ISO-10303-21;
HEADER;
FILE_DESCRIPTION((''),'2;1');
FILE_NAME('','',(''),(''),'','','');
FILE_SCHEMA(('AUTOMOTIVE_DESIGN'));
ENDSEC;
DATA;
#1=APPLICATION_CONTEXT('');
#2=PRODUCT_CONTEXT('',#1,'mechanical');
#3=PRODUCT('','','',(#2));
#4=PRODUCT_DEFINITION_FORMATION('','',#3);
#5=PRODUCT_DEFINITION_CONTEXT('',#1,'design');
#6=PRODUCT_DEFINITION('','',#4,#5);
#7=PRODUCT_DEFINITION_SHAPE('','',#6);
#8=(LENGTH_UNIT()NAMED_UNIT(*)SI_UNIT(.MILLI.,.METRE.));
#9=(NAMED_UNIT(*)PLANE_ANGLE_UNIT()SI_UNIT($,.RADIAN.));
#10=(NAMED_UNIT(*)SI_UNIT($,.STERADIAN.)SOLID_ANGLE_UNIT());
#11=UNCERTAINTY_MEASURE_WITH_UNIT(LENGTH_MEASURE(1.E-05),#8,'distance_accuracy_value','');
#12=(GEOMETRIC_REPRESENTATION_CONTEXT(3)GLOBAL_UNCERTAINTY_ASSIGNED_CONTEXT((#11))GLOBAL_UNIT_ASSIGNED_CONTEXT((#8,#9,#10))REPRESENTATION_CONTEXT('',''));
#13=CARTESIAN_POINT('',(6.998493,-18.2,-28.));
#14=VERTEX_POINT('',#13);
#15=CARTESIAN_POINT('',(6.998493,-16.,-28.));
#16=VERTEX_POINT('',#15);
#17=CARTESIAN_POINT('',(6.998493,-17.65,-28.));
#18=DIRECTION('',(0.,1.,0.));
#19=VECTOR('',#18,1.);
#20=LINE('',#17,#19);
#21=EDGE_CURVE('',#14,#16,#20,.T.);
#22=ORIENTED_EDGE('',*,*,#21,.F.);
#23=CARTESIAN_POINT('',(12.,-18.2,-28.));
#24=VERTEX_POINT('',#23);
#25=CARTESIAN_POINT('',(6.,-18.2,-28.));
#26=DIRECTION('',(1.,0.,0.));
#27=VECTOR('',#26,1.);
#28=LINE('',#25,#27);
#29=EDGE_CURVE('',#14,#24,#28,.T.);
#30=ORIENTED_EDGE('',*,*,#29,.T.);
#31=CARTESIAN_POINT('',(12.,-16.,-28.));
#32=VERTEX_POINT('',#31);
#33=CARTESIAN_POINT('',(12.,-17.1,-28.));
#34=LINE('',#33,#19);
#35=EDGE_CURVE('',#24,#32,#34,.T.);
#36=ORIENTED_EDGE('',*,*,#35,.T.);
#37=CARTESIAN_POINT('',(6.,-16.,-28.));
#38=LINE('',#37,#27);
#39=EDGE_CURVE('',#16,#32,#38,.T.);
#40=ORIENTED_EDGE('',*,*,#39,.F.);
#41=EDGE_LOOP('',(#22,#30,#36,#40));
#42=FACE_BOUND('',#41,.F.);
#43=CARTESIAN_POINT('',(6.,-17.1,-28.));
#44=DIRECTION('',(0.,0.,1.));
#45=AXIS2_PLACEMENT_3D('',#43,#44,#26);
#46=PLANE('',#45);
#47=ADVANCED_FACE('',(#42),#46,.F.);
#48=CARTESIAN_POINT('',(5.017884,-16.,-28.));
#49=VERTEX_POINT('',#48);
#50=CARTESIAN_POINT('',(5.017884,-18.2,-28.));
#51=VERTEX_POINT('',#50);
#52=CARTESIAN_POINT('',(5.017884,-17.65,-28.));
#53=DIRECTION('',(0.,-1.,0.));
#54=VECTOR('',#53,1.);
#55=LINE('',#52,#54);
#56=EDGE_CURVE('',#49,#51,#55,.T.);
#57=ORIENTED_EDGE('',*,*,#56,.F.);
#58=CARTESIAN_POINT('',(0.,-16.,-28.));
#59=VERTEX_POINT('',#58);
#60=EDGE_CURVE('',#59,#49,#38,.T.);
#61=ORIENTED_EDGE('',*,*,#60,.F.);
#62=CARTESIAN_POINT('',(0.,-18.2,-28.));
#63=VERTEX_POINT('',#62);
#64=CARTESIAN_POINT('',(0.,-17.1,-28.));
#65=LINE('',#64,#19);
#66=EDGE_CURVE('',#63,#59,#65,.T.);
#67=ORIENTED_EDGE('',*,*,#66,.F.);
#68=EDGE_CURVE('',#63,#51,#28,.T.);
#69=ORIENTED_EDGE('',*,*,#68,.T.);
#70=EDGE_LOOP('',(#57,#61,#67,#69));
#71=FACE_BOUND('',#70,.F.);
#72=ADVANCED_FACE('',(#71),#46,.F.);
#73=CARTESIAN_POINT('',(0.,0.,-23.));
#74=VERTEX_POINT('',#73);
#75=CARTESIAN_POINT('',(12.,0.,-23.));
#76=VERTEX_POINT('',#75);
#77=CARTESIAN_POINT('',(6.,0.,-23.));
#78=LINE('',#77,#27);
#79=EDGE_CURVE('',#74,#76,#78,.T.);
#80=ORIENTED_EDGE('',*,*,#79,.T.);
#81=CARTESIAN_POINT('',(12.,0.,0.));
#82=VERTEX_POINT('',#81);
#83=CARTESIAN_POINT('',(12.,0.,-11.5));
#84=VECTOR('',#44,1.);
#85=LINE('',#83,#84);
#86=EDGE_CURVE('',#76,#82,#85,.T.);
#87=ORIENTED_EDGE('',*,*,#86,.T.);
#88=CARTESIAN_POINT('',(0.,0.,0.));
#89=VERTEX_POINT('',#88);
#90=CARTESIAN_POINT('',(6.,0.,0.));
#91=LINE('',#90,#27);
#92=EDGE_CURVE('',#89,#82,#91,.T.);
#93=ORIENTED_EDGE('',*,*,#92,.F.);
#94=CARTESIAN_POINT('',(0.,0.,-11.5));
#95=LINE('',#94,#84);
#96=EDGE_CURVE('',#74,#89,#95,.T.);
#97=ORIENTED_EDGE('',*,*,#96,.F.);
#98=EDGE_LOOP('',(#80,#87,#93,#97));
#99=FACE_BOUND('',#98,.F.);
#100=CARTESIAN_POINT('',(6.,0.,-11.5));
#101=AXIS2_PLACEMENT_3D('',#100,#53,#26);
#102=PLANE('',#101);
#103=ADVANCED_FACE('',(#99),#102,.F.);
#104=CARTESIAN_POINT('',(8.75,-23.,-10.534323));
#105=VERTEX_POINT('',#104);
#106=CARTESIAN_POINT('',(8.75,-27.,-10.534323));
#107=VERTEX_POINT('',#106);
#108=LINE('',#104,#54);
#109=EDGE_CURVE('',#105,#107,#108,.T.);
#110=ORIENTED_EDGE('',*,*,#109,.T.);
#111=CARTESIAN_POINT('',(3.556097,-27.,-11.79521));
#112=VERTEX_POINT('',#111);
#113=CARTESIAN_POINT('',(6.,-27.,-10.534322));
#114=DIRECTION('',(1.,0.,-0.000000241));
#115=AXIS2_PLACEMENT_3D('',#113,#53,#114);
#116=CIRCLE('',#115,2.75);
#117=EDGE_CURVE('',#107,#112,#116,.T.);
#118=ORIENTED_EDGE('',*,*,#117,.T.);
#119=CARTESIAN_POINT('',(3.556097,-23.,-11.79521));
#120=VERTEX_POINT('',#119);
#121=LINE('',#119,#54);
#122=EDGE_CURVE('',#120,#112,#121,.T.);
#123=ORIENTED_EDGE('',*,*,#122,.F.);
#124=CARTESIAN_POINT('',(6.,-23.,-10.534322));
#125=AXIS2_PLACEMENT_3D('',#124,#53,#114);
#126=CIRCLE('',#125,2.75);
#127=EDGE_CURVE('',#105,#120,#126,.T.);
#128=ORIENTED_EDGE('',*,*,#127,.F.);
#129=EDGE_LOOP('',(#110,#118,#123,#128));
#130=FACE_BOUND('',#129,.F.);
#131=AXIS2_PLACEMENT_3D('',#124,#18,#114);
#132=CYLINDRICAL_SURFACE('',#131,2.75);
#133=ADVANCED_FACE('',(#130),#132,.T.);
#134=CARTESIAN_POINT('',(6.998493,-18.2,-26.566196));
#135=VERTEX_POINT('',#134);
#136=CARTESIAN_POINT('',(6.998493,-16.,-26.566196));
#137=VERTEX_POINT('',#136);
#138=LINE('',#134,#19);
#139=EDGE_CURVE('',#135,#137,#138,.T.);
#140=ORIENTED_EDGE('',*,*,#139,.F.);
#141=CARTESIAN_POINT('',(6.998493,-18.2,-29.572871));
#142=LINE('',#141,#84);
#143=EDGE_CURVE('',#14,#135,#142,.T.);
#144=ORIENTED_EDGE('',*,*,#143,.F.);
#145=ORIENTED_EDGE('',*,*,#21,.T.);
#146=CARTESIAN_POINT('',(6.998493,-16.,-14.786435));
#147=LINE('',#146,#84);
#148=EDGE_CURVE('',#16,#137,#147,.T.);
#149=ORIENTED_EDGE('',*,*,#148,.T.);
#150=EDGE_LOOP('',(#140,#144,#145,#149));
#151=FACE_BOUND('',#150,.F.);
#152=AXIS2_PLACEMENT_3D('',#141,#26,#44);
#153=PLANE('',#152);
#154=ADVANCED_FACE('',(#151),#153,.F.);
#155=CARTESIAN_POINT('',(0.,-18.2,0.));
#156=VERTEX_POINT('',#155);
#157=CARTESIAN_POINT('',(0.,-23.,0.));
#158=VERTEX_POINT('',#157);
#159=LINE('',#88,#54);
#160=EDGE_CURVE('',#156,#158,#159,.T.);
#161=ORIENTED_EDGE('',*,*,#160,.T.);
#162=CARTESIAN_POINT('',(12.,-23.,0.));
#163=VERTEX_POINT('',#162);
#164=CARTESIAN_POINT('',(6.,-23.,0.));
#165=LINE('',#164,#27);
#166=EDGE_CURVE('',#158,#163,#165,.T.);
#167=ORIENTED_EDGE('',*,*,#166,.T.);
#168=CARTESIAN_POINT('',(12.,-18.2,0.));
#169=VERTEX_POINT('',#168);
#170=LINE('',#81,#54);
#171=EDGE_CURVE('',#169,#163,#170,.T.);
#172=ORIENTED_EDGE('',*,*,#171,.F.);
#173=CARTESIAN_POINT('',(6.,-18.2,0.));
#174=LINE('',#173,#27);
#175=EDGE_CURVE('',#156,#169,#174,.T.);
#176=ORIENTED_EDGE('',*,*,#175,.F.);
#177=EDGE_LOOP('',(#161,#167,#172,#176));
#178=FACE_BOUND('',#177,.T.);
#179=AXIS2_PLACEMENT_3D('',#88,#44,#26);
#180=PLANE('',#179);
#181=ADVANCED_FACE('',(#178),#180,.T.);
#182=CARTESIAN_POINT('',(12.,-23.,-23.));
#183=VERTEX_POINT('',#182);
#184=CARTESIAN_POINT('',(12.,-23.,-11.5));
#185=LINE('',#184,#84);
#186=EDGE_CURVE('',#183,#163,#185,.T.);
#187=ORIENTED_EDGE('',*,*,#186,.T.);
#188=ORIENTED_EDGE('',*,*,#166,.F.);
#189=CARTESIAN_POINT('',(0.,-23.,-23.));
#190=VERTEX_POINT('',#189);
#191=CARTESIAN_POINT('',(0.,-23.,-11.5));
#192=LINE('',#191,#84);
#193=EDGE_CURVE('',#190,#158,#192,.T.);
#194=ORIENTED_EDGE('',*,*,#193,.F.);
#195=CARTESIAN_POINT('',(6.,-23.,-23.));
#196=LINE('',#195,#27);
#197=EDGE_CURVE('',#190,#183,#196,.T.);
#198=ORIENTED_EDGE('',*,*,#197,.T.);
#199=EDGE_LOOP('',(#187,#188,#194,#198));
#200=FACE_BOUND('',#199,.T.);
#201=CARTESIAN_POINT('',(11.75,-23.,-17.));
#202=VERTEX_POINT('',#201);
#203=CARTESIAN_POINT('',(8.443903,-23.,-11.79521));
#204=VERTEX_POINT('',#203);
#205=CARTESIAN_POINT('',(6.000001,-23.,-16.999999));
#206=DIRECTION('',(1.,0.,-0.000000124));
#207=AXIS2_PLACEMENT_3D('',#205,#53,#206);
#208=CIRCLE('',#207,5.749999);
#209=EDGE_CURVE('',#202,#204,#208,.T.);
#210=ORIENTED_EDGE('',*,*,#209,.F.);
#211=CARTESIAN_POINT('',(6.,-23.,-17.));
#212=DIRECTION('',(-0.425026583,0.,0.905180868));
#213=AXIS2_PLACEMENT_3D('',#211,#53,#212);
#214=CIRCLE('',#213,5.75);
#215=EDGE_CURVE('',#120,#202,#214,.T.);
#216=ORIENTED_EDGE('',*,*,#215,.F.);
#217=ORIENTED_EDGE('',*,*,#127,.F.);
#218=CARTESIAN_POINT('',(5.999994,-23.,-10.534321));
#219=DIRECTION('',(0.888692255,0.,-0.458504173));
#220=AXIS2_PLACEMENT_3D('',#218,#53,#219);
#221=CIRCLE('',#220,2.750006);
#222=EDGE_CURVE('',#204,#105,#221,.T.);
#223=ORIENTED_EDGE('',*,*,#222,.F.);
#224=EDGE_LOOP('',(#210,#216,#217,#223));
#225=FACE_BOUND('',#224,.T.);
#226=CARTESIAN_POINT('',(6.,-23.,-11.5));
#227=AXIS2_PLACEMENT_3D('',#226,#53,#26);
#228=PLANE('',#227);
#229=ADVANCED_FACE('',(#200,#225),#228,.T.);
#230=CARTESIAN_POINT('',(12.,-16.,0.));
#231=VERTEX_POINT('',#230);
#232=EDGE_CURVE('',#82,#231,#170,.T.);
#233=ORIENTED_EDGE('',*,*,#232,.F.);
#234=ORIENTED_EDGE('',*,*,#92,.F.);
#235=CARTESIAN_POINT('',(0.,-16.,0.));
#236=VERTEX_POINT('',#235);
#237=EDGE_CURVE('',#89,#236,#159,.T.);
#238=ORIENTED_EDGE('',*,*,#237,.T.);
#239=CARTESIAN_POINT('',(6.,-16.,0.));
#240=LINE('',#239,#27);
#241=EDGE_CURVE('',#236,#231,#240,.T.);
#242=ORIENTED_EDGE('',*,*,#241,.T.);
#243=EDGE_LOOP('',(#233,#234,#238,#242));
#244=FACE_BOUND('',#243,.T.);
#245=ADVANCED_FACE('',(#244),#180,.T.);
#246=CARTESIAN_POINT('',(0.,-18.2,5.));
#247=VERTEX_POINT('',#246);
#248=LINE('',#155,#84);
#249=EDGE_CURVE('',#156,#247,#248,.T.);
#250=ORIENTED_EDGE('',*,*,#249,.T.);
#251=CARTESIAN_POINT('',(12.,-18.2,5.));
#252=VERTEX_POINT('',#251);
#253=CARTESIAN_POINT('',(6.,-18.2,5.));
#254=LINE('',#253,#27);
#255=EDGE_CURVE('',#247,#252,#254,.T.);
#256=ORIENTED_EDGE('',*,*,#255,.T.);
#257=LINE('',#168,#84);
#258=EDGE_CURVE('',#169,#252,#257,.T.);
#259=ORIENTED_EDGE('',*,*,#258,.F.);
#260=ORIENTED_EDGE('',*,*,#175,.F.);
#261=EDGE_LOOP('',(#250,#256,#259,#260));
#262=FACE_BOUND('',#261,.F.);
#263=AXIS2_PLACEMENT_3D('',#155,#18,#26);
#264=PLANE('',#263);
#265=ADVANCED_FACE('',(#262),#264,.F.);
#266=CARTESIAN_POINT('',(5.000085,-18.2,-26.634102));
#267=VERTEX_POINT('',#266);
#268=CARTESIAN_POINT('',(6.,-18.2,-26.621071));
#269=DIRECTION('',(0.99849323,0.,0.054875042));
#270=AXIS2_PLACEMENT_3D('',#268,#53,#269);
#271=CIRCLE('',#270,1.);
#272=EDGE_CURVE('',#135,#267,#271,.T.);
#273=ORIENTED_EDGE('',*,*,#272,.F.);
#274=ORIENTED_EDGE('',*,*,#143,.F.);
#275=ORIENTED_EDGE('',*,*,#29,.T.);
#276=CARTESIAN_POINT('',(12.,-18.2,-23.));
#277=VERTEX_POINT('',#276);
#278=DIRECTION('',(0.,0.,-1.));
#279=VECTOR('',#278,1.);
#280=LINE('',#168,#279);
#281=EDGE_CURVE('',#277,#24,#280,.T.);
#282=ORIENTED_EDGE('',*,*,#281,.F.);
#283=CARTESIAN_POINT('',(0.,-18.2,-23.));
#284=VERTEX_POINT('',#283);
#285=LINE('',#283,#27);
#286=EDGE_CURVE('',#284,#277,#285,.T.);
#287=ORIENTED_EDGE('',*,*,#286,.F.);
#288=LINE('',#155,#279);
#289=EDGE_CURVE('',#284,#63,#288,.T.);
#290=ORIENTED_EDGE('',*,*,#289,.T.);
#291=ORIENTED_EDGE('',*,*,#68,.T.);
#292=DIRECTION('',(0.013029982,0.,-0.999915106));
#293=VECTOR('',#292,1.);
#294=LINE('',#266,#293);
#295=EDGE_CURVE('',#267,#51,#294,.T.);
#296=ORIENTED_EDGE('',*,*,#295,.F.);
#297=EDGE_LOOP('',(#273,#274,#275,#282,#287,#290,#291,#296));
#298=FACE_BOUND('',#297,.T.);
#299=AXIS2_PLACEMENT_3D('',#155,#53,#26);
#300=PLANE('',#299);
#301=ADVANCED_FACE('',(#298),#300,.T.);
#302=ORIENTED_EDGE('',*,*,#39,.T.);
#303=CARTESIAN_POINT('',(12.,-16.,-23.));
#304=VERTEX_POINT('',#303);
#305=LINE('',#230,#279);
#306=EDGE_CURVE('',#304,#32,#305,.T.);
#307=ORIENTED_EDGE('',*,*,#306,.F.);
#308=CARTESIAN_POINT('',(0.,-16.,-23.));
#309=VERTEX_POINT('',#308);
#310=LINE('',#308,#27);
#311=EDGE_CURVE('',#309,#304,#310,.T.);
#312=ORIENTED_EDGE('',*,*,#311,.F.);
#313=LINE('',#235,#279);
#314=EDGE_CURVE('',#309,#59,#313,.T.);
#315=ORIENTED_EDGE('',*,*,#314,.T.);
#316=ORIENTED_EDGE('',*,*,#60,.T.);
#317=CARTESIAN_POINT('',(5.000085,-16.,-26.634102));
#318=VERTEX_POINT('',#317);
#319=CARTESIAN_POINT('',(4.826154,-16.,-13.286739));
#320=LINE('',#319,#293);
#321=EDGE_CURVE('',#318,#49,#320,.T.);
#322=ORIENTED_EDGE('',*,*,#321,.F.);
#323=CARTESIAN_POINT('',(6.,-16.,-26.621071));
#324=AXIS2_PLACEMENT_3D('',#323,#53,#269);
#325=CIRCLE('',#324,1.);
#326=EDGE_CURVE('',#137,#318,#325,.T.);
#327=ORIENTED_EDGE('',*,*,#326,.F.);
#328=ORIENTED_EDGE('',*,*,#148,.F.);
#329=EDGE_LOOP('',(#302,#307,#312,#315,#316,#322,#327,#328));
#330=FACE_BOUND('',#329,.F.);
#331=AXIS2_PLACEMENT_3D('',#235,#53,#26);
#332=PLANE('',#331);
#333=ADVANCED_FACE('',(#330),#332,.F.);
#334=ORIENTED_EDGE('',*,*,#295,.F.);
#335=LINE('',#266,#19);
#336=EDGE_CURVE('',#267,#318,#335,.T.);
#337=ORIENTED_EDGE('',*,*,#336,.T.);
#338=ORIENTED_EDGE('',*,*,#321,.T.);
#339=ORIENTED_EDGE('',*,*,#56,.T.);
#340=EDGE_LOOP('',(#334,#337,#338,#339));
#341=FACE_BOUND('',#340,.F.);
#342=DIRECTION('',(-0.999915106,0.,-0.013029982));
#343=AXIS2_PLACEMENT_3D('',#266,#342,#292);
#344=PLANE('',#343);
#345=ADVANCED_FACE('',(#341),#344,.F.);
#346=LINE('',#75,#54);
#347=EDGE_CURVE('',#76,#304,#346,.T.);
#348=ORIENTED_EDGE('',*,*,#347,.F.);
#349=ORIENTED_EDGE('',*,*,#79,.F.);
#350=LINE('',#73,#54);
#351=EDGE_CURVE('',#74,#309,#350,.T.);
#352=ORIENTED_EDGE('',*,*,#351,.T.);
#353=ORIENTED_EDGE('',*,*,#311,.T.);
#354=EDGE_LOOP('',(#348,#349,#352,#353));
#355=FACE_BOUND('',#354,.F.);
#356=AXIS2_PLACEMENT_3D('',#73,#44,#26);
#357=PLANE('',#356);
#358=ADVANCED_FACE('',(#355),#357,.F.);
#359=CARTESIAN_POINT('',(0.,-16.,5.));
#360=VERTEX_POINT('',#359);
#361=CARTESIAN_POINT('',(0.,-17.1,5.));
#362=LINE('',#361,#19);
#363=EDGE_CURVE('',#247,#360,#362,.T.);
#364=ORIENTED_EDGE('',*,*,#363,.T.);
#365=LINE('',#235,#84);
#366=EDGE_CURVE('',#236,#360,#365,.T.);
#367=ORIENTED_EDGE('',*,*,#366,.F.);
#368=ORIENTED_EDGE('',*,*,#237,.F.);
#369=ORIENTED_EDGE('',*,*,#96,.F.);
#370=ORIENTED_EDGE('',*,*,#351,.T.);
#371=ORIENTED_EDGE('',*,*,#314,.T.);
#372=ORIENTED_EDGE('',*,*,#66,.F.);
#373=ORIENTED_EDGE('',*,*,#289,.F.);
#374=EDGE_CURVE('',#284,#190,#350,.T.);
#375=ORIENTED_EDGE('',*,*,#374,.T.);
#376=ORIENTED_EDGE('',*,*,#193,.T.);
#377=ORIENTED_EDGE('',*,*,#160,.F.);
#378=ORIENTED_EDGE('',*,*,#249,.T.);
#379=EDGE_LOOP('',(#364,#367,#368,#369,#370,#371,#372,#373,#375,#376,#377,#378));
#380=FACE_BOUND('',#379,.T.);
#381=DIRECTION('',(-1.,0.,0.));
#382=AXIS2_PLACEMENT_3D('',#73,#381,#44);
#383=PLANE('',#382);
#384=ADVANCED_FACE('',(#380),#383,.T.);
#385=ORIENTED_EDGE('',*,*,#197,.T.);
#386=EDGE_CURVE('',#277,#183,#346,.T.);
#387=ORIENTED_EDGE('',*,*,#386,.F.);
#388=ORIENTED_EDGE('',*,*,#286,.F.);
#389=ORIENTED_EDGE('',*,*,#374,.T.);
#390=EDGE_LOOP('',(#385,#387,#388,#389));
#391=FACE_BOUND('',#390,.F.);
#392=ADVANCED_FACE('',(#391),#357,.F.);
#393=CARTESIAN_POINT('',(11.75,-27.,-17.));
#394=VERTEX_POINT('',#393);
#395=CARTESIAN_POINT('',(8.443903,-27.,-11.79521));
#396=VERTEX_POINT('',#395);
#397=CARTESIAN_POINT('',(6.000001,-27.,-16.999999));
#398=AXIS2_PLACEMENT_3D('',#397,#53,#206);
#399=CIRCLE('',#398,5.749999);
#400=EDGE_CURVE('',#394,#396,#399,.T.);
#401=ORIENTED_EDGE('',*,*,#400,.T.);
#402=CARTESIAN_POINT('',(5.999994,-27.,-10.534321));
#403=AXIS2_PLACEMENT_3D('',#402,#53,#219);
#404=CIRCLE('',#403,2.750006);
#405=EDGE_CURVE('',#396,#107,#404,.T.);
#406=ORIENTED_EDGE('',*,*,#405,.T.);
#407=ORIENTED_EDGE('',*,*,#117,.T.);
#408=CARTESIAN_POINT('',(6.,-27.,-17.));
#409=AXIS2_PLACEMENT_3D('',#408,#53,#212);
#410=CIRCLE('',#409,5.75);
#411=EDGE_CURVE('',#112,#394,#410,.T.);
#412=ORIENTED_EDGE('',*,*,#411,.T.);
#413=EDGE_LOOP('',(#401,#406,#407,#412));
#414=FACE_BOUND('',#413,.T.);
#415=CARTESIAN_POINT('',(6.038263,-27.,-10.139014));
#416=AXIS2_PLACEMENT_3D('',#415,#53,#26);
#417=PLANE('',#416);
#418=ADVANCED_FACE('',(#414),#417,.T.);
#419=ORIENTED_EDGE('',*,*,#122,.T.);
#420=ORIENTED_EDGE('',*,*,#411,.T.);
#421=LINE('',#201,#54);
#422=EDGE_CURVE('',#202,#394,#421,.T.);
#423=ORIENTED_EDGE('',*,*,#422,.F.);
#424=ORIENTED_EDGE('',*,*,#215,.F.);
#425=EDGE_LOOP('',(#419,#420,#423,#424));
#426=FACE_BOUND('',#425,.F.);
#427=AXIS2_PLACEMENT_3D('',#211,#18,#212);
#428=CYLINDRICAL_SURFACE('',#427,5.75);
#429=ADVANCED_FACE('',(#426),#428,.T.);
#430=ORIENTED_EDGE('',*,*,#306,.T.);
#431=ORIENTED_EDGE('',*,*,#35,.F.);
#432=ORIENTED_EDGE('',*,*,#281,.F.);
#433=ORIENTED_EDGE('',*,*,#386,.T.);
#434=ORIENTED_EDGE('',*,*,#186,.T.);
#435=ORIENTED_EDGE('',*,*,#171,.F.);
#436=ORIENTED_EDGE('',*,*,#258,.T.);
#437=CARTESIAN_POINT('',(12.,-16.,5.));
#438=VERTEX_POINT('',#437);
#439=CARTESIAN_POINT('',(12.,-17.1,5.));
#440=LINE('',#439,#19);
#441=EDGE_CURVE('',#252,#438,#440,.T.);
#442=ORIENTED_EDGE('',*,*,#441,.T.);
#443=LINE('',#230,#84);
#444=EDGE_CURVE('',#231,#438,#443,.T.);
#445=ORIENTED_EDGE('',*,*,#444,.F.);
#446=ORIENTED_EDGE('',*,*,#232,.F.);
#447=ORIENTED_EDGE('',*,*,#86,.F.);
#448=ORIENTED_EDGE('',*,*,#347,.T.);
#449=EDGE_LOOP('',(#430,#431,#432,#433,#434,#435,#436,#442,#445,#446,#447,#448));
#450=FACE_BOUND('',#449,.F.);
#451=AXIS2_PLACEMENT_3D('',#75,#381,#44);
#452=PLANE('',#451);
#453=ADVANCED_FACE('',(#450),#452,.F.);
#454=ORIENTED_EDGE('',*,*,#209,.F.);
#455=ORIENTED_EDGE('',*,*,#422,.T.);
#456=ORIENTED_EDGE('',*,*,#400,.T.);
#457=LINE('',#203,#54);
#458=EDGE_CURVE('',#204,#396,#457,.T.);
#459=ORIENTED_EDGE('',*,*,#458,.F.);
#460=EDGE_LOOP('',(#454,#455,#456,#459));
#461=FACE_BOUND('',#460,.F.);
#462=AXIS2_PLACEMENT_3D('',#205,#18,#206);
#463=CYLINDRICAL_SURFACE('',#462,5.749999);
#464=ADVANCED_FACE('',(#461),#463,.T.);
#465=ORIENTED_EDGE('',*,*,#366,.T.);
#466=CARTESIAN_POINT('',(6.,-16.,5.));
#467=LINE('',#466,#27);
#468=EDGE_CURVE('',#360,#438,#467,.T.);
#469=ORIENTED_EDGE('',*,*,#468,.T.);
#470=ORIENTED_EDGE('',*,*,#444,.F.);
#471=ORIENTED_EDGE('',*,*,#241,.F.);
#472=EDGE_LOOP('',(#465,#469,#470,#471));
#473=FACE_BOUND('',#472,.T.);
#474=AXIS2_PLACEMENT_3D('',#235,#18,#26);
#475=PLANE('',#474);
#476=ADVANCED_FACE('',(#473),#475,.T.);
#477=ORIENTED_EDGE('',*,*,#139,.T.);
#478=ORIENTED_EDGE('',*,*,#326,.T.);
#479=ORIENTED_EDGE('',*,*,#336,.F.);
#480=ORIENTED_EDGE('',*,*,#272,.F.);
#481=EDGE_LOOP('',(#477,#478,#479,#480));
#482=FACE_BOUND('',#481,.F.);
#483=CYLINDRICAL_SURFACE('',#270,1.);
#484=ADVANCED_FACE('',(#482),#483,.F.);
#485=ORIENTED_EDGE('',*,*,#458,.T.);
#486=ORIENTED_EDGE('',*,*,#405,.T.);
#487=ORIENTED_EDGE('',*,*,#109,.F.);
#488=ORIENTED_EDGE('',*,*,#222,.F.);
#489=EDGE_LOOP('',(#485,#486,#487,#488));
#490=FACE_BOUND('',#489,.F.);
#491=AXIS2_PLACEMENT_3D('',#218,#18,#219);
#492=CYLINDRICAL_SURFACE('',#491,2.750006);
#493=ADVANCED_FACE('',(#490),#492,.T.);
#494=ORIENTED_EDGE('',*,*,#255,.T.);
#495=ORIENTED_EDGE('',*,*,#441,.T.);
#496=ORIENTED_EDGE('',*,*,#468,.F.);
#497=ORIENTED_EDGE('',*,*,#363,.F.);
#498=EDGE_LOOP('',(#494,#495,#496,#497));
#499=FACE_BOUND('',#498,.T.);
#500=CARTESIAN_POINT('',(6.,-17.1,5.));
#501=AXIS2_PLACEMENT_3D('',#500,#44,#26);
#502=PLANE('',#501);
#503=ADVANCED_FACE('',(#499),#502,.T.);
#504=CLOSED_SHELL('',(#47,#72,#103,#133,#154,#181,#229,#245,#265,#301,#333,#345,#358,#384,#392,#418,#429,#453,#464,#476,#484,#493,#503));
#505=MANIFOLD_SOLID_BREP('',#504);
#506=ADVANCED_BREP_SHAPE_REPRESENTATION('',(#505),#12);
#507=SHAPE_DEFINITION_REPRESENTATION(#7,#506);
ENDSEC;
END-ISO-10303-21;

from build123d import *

# Parameters (mm, degrees)
F0_W     = 12
F0_H     = 23
F1_DEPTH = 23
F3_DEPTH = 4
F4_W     = 12
F4_H     = 2.2
F5_DEPTH = 5
F6_DEPTH = 28
F8_DEPTH = 4.36513


with BuildPart() as f1:
    # F0 (on Front) → F1 (new body)
    with BuildSketch(Plane.XZ):
        with Locations((6, -11.5)):
            Rectangle(F0_W, F0_H)
    extrude(amount=F1_DEPTH)

    # F2 (on face) → F3 (join)
    with BuildSketch(Plane.XZ.offset(23)):
        with BuildLine():
            ThreePointArc((3.556097, -11.79521), (6, -11.25), (8.443903, -11.79521))
            ThreePointArc((8.443903, -11.79521), (8.67238, -11.183078), (8.75, -10.534323))
            ThreePointArc((8.75, -10.534323), (5.351245, -7.861942), (3.556097, -11.79521))
        make_face()
        with BuildLine():
            ThreePointArc((3.556097, -11.79521), (6, -13.284323), (8.443903, -11.79521))
            ThreePointArc((8.443903, -11.79521), (6, -11.25), (3.556097, -11.79521))
        make_face()
        with BuildLine():
            ThreePointArc((3.556097, -11.79521), (2.916977, -21.853604), (11.75, -17))
            ThreePointArc((11.75, -17), (10.853604, -13.916977), (8.443903, -11.79521))
            ThreePointArc((8.443903, -11.79521), (6, -13.284323), (3.556097, -11.79521))
        make_face()
    extrude(amount=F3_DEPTH)

    # F4 (on face) → F5 (join)
    with BuildSketch(Plane.XY):
        with Locations((6, -17.1)):
            Rectangle(F4_W, F4_H)
    extrude(amount=F5_DEPTH)

    # F4 (on face) → F6 (join)
    with BuildSketch(Plane.XY):
        with Locations((6, -17.1)):
            Rectangle(F4_W, F4_H)
    extrude(amount=-F6_DEPTH)

    # F7 (on face) → F8 (cut)
    with BuildSketch(Plane.XZ.offset(18.2)):
        with BuildLine():
            Line((6.998493, -29.572871), (6.998493, -26.675947))
            Line((6.998493, -26.675947), (6.998493, -26.566196))
            ThreePointArc((6.998493, -26.566196), (5.96604, -25.621648), (5.000085, -26.634102))
            Line((5.000085, -26.634102), (5.036416, -29.422127))
            Line((5.036416, -29.422127), (6.998493, -29.572871))
        make_face()
    extrude(amount=-F8_DEPTH, mode=Mode.SUBTRACT)


solid = f1.part
